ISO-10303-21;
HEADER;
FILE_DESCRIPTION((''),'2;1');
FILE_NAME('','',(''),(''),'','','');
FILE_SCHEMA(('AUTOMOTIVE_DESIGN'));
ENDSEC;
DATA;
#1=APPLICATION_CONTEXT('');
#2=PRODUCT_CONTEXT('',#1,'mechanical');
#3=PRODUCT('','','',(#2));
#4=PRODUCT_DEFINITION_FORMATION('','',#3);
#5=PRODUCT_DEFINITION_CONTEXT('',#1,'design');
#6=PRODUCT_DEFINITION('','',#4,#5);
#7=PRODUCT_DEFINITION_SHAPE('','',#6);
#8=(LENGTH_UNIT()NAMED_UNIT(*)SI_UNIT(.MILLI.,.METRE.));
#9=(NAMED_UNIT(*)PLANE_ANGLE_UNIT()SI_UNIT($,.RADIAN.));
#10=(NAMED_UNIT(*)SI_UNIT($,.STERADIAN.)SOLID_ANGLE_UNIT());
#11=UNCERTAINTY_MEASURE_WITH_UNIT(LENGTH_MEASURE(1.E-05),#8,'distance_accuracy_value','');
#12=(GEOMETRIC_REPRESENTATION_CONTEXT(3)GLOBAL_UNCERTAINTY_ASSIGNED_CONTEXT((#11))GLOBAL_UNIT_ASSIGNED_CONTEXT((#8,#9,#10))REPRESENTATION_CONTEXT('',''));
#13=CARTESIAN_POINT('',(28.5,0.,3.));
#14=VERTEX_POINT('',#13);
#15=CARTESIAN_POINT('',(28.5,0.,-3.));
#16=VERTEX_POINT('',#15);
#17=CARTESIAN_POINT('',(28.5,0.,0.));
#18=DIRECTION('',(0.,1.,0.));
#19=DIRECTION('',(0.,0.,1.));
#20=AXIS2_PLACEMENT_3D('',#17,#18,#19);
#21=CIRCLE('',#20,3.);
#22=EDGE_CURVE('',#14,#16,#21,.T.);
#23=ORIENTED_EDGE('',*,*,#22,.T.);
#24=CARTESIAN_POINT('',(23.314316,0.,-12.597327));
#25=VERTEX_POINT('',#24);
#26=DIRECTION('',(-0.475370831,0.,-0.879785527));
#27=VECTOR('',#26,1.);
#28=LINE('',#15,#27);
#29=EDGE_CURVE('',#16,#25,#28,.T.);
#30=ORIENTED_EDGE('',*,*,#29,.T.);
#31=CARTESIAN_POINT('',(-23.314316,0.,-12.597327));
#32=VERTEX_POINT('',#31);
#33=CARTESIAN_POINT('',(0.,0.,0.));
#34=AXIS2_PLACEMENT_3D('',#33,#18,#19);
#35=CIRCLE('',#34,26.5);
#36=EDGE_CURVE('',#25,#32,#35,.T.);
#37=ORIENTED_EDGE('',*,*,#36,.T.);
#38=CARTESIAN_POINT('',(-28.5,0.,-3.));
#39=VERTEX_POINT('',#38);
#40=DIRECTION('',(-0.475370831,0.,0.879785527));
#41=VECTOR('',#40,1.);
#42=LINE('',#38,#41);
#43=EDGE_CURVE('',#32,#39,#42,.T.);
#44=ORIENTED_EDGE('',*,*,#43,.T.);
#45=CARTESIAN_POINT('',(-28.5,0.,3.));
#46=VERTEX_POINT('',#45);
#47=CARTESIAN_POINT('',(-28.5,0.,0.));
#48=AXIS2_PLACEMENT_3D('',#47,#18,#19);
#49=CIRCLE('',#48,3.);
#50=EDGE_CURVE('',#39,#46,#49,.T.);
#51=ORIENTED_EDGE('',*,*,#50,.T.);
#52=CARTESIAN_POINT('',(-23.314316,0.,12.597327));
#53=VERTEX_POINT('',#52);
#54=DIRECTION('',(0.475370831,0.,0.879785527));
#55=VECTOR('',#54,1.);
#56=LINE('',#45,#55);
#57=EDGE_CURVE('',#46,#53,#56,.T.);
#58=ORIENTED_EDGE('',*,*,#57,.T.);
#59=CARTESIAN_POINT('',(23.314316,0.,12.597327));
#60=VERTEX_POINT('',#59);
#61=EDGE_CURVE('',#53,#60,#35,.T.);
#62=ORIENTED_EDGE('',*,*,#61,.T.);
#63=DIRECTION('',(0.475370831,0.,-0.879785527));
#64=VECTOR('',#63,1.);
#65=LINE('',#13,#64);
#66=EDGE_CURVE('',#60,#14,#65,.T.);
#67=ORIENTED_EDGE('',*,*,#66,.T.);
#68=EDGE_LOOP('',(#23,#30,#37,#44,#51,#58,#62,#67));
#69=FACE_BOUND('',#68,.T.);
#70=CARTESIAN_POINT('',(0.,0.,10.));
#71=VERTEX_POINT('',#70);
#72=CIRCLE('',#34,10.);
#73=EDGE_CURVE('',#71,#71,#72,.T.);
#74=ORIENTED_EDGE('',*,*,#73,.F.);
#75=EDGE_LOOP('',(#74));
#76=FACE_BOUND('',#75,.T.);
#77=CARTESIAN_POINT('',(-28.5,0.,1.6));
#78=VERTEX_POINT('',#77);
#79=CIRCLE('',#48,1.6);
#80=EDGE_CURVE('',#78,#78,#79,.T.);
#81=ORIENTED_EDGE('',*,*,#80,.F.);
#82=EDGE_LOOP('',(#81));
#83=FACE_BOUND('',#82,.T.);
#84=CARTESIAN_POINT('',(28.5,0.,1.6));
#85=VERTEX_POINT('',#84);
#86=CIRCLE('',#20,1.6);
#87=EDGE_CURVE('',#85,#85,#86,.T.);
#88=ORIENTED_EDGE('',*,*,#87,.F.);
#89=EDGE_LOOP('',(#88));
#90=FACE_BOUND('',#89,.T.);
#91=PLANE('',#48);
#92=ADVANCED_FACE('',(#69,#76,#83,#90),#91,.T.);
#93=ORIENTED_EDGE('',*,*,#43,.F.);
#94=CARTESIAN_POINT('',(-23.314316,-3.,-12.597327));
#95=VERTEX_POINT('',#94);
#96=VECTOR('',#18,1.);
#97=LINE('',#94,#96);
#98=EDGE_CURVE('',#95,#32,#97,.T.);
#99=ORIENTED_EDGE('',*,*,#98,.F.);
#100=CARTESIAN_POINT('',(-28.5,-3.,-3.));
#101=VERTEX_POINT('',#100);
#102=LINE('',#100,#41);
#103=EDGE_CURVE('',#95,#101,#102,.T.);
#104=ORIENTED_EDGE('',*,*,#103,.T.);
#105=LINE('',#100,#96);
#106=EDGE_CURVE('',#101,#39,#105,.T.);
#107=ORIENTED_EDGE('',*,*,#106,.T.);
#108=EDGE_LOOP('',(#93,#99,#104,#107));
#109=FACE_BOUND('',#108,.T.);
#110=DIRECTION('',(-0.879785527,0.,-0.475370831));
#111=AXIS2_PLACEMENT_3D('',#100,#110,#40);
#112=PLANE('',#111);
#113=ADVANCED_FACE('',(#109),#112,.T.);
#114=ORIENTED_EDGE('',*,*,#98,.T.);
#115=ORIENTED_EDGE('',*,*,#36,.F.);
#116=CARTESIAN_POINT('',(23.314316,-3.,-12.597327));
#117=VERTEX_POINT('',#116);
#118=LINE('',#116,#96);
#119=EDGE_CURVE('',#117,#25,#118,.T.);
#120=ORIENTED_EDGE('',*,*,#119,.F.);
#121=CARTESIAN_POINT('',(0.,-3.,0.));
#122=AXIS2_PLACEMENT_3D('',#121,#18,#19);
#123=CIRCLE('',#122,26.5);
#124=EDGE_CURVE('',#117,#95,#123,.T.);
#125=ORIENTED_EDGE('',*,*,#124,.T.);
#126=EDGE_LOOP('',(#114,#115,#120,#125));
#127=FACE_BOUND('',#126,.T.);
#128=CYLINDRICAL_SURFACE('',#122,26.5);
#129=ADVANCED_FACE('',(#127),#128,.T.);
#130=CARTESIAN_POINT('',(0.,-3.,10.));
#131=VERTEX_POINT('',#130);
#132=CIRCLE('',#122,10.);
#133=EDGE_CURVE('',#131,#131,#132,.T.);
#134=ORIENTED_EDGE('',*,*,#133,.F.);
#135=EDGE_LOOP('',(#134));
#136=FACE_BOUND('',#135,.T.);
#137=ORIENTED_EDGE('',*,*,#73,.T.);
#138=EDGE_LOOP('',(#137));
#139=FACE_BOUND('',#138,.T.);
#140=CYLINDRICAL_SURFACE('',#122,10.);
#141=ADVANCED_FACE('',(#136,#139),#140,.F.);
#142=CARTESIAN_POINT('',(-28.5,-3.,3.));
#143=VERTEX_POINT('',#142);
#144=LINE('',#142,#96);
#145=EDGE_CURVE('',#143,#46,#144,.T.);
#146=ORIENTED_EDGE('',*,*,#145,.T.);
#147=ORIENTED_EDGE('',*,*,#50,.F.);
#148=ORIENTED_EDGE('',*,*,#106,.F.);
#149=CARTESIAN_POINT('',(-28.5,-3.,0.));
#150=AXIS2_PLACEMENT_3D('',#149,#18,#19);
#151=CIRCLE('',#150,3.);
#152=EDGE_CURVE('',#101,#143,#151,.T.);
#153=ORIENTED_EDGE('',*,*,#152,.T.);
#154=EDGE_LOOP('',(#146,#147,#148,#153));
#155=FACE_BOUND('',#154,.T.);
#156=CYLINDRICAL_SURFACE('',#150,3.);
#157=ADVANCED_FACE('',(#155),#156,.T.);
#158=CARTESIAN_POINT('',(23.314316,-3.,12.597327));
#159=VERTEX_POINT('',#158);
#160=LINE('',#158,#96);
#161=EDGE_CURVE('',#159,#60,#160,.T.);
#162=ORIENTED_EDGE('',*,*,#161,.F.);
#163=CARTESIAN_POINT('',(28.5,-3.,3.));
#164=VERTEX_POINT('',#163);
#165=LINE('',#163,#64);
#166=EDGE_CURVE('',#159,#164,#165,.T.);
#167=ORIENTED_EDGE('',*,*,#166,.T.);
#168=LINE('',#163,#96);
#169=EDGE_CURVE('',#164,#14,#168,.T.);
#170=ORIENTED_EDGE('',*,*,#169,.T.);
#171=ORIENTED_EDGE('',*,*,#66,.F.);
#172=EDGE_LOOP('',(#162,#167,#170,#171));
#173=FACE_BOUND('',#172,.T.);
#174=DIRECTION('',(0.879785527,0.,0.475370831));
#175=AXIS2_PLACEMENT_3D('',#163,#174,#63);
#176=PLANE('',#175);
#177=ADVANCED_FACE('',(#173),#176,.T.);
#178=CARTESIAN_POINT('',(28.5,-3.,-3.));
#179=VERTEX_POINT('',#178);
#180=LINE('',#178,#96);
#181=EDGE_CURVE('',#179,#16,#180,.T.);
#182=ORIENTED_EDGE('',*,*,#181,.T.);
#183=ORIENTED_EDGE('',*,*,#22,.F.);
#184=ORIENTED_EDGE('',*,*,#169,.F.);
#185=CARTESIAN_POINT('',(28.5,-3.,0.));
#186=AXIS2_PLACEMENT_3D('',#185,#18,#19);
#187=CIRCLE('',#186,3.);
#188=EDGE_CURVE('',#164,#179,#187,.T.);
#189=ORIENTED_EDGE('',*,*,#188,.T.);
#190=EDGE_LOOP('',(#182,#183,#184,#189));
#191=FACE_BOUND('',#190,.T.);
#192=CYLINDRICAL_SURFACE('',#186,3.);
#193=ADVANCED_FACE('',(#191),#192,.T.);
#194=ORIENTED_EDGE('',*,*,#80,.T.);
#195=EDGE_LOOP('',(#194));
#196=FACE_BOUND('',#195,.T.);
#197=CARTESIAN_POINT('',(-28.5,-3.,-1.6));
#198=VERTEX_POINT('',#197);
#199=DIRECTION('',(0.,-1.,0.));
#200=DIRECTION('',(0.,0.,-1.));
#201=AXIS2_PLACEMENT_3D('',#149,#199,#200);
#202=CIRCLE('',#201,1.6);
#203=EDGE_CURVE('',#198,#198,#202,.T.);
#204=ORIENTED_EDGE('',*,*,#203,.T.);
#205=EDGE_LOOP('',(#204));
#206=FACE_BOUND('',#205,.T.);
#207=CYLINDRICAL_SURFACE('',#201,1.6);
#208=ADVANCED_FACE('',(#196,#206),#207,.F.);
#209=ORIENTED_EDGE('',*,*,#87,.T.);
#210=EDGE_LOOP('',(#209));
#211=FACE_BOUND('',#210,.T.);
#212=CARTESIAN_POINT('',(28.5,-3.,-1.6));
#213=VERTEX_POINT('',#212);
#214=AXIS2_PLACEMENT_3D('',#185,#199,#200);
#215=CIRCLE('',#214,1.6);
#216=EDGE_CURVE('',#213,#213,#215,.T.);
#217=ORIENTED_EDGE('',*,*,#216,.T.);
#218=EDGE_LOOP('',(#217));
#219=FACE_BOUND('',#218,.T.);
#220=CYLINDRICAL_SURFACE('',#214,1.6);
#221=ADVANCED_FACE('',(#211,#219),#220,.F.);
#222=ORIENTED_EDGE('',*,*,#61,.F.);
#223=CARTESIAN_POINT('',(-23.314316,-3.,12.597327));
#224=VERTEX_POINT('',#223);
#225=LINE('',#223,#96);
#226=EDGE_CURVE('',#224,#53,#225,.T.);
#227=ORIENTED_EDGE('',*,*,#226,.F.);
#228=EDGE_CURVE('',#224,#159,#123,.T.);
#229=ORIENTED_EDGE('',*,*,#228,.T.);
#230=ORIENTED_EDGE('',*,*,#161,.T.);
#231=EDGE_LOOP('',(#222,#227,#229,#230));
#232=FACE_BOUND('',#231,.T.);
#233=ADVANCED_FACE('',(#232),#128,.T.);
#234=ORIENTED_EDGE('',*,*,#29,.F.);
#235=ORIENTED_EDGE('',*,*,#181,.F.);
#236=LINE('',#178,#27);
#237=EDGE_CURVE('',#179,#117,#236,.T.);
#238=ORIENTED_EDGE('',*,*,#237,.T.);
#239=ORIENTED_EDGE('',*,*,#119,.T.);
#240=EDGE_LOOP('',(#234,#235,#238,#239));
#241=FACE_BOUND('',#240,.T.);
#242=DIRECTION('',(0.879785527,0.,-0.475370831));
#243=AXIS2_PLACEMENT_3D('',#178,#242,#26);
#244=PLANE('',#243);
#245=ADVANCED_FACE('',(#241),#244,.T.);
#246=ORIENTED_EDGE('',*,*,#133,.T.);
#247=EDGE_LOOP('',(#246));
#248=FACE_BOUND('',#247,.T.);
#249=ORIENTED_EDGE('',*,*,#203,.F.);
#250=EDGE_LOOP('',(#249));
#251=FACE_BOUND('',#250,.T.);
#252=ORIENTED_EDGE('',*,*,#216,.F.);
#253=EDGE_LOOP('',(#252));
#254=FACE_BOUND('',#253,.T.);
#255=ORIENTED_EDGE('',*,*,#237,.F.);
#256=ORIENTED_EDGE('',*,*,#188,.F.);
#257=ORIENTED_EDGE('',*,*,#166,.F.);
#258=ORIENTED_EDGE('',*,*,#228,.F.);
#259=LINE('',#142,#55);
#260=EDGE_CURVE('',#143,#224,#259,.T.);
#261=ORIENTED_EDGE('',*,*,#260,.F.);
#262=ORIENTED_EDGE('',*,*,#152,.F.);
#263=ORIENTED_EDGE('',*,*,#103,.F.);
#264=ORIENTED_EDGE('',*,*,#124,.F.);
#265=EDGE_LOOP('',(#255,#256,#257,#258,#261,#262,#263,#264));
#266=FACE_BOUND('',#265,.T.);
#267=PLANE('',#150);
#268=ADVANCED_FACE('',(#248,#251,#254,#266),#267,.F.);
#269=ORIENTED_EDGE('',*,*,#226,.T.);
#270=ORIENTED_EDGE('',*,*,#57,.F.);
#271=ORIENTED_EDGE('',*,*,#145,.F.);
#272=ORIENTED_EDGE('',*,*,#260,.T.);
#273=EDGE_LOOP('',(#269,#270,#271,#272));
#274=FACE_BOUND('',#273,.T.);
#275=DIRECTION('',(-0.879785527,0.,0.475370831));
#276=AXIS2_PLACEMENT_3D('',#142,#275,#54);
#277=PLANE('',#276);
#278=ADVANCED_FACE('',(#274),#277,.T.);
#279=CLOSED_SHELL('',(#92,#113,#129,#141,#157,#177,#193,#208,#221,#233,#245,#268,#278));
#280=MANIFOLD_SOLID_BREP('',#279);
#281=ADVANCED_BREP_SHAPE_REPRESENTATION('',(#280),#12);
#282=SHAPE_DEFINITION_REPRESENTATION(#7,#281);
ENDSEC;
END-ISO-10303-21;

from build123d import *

# Parameters (mm, degrees)
SKETCH1_R                = 10
BOSS_EXTRUDE1_DEPTH      = 3
M3_CLEARANCE_HOLE1_D     = 3.2
M3_CLEARANCE_HOLE1_DEPTH = 3


with BuildPart() as part:
    # Sketch1 → Boss-Extrude1 (new body)
    with BuildSketch(Plane(origin=(0, 0, 0), x_dir=(1, 0, 0), z_dir=(0, 1, 0))):
        with BuildLine():
            Line((-28.5, 3), (-23.314316453, 12.597327031))
            ThreePointArc((-23.314316453, 12.597327031), (0, 26.5), (23.314316453, 12.597327031))
            Line((23.314316453, 12.597327031), (28.5, 3))
            ThreePointArc((28.5, 3), (31.5, 0), (28.5, -3))
            Line((28.5, -3), (23.314316453, -12.597327031))
            ThreePointArc((23.314316453, -12.597327031), (0, -26.5), (-23.314316453, -12.597327031))
            Line((-23.314316453, -12.597327031), (-28.5, -3))
            ThreePointArc((-28.5, -3), (-31.5, 0), (-28.5, 3))
        make_face()
        Circle(SKETCH1_R, mode=Mode.SUBTRACT)
    extrude(amount=-BOSS_EXTRUDE1_DEPTH)

    # M3 Clearance Hole1
    with Locations(Plane(origin=(0, -3, 0), x_dir=(-1, 0, 0), z_dir=(0, -1, 0))):
        with Locations((-28.5, 0), (28.5, 0)):
            Hole(M3_CLEARANCE_HOLE1_D / 2, depth=M3_CLEARANCE_HOLE1_DEPTH)


solid = part.part
